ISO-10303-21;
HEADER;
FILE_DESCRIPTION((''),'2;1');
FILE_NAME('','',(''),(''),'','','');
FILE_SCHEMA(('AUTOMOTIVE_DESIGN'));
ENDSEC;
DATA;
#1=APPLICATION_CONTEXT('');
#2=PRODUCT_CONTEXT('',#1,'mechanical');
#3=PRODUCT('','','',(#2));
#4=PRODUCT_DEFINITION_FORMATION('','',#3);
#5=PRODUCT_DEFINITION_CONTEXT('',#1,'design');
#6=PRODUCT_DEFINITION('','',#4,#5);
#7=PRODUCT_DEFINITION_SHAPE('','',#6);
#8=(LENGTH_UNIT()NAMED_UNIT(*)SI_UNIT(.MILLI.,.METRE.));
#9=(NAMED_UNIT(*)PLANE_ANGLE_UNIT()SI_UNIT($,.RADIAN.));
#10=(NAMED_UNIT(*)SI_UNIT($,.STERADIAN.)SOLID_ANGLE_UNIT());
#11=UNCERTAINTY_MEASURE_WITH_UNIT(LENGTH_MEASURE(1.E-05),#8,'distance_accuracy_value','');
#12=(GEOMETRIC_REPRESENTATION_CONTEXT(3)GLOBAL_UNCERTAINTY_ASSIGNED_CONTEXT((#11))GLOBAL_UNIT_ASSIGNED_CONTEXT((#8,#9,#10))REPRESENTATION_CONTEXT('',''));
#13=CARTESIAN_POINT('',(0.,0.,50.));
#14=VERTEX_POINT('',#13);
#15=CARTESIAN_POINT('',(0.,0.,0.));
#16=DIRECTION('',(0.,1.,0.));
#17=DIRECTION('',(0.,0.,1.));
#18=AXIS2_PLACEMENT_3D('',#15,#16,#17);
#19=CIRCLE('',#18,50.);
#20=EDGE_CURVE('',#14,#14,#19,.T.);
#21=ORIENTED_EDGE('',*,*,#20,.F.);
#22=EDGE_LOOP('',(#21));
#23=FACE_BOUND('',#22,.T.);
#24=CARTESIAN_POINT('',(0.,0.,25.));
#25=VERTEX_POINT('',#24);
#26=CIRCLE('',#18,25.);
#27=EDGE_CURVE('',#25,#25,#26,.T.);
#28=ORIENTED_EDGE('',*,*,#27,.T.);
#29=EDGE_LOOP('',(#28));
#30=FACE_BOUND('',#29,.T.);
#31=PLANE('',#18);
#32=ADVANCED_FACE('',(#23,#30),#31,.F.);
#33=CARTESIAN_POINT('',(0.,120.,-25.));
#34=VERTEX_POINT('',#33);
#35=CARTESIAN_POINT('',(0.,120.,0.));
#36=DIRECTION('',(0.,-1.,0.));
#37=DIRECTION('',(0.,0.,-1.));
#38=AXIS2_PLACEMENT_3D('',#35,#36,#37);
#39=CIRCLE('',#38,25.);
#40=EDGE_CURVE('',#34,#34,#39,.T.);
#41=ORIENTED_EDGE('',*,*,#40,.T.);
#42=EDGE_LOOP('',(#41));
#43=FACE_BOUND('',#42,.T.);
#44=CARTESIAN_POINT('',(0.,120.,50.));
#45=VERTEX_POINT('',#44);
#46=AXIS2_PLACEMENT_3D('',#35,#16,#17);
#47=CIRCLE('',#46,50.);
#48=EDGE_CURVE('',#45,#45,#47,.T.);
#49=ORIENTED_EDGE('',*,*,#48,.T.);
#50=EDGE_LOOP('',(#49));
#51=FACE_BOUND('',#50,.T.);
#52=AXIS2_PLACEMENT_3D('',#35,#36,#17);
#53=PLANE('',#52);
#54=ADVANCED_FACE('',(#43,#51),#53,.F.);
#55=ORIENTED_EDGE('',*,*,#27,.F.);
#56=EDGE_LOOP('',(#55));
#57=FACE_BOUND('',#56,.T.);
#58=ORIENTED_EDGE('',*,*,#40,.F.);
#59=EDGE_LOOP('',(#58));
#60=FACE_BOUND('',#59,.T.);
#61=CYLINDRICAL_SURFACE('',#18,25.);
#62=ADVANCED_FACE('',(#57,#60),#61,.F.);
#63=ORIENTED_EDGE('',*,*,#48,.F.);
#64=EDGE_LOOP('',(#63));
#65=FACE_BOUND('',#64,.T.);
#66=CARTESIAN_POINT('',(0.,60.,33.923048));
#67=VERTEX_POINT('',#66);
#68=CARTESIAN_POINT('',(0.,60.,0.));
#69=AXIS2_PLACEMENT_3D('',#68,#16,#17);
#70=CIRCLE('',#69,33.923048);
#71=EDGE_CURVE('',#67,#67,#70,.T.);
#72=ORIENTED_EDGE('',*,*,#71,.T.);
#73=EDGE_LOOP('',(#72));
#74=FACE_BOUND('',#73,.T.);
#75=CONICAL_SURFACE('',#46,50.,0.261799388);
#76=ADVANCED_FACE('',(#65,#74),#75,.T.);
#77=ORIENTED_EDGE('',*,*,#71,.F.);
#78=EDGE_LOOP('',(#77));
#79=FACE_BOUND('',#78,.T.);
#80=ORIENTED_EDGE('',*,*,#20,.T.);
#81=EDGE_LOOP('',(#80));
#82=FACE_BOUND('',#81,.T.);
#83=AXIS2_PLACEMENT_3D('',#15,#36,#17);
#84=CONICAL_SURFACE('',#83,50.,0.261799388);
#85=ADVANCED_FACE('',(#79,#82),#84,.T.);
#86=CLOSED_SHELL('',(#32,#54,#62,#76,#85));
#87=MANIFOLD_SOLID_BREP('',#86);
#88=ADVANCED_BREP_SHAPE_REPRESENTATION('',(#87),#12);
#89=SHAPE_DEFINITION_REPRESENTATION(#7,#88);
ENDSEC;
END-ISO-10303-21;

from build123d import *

# Parameters (mm, degrees)
SKETCH1_R               = 50
BOSS_EXTRUDE1_DEPTH     = 60
BOSS_EXTRUDE1_TAPER     = 15
CUT_EXTRUDE1_DEPTH      = 140.28388293
CUT_EXTRUDE1_DEPTH_BACK = 140.28388293
SKETCH2_R               = 25


with BuildPart() as part:
    # Sketch1 → Boss-Extrude1 (new body)
    with BuildSketch(Plane(origin=(0, 0, 0), x_dir=(1, 0, 0), z_dir=(0, 1, 0))):
        Circle(SKETCH1_R)
    boss_extrude1 = extrude(amount=BOSS_EXTRUDE1_DEPTH, taper=BOSS_EXTRUDE1_TAPER)

    # Mirror2: Boss-Extrude1 across plane
    add(boss_extrude1.mirror(Plane.ZX.offset(60)))

    # Sketch2 → Cut-Extrude1 (cut, two sides: drawn at the far end of the back side and taken through both)
    with BuildSketch(Plane(origin=(0, 120, 0), x_dir=(1, 0, 0), z_dir=(0, 1, 0)).offset(-CUT_EXTRUDE1_DEPTH_BACK)):
        with Locations(Location((0, 0, 0), (0, 0, 270))):
            Circle(SKETCH2_R)
    extrude(amount=CUT_EXTRUDE1_DEPTH + CUT_EXTRUDE1_DEPTH_BACK, mode=Mode.SUBTRACT)


solid = part.part
